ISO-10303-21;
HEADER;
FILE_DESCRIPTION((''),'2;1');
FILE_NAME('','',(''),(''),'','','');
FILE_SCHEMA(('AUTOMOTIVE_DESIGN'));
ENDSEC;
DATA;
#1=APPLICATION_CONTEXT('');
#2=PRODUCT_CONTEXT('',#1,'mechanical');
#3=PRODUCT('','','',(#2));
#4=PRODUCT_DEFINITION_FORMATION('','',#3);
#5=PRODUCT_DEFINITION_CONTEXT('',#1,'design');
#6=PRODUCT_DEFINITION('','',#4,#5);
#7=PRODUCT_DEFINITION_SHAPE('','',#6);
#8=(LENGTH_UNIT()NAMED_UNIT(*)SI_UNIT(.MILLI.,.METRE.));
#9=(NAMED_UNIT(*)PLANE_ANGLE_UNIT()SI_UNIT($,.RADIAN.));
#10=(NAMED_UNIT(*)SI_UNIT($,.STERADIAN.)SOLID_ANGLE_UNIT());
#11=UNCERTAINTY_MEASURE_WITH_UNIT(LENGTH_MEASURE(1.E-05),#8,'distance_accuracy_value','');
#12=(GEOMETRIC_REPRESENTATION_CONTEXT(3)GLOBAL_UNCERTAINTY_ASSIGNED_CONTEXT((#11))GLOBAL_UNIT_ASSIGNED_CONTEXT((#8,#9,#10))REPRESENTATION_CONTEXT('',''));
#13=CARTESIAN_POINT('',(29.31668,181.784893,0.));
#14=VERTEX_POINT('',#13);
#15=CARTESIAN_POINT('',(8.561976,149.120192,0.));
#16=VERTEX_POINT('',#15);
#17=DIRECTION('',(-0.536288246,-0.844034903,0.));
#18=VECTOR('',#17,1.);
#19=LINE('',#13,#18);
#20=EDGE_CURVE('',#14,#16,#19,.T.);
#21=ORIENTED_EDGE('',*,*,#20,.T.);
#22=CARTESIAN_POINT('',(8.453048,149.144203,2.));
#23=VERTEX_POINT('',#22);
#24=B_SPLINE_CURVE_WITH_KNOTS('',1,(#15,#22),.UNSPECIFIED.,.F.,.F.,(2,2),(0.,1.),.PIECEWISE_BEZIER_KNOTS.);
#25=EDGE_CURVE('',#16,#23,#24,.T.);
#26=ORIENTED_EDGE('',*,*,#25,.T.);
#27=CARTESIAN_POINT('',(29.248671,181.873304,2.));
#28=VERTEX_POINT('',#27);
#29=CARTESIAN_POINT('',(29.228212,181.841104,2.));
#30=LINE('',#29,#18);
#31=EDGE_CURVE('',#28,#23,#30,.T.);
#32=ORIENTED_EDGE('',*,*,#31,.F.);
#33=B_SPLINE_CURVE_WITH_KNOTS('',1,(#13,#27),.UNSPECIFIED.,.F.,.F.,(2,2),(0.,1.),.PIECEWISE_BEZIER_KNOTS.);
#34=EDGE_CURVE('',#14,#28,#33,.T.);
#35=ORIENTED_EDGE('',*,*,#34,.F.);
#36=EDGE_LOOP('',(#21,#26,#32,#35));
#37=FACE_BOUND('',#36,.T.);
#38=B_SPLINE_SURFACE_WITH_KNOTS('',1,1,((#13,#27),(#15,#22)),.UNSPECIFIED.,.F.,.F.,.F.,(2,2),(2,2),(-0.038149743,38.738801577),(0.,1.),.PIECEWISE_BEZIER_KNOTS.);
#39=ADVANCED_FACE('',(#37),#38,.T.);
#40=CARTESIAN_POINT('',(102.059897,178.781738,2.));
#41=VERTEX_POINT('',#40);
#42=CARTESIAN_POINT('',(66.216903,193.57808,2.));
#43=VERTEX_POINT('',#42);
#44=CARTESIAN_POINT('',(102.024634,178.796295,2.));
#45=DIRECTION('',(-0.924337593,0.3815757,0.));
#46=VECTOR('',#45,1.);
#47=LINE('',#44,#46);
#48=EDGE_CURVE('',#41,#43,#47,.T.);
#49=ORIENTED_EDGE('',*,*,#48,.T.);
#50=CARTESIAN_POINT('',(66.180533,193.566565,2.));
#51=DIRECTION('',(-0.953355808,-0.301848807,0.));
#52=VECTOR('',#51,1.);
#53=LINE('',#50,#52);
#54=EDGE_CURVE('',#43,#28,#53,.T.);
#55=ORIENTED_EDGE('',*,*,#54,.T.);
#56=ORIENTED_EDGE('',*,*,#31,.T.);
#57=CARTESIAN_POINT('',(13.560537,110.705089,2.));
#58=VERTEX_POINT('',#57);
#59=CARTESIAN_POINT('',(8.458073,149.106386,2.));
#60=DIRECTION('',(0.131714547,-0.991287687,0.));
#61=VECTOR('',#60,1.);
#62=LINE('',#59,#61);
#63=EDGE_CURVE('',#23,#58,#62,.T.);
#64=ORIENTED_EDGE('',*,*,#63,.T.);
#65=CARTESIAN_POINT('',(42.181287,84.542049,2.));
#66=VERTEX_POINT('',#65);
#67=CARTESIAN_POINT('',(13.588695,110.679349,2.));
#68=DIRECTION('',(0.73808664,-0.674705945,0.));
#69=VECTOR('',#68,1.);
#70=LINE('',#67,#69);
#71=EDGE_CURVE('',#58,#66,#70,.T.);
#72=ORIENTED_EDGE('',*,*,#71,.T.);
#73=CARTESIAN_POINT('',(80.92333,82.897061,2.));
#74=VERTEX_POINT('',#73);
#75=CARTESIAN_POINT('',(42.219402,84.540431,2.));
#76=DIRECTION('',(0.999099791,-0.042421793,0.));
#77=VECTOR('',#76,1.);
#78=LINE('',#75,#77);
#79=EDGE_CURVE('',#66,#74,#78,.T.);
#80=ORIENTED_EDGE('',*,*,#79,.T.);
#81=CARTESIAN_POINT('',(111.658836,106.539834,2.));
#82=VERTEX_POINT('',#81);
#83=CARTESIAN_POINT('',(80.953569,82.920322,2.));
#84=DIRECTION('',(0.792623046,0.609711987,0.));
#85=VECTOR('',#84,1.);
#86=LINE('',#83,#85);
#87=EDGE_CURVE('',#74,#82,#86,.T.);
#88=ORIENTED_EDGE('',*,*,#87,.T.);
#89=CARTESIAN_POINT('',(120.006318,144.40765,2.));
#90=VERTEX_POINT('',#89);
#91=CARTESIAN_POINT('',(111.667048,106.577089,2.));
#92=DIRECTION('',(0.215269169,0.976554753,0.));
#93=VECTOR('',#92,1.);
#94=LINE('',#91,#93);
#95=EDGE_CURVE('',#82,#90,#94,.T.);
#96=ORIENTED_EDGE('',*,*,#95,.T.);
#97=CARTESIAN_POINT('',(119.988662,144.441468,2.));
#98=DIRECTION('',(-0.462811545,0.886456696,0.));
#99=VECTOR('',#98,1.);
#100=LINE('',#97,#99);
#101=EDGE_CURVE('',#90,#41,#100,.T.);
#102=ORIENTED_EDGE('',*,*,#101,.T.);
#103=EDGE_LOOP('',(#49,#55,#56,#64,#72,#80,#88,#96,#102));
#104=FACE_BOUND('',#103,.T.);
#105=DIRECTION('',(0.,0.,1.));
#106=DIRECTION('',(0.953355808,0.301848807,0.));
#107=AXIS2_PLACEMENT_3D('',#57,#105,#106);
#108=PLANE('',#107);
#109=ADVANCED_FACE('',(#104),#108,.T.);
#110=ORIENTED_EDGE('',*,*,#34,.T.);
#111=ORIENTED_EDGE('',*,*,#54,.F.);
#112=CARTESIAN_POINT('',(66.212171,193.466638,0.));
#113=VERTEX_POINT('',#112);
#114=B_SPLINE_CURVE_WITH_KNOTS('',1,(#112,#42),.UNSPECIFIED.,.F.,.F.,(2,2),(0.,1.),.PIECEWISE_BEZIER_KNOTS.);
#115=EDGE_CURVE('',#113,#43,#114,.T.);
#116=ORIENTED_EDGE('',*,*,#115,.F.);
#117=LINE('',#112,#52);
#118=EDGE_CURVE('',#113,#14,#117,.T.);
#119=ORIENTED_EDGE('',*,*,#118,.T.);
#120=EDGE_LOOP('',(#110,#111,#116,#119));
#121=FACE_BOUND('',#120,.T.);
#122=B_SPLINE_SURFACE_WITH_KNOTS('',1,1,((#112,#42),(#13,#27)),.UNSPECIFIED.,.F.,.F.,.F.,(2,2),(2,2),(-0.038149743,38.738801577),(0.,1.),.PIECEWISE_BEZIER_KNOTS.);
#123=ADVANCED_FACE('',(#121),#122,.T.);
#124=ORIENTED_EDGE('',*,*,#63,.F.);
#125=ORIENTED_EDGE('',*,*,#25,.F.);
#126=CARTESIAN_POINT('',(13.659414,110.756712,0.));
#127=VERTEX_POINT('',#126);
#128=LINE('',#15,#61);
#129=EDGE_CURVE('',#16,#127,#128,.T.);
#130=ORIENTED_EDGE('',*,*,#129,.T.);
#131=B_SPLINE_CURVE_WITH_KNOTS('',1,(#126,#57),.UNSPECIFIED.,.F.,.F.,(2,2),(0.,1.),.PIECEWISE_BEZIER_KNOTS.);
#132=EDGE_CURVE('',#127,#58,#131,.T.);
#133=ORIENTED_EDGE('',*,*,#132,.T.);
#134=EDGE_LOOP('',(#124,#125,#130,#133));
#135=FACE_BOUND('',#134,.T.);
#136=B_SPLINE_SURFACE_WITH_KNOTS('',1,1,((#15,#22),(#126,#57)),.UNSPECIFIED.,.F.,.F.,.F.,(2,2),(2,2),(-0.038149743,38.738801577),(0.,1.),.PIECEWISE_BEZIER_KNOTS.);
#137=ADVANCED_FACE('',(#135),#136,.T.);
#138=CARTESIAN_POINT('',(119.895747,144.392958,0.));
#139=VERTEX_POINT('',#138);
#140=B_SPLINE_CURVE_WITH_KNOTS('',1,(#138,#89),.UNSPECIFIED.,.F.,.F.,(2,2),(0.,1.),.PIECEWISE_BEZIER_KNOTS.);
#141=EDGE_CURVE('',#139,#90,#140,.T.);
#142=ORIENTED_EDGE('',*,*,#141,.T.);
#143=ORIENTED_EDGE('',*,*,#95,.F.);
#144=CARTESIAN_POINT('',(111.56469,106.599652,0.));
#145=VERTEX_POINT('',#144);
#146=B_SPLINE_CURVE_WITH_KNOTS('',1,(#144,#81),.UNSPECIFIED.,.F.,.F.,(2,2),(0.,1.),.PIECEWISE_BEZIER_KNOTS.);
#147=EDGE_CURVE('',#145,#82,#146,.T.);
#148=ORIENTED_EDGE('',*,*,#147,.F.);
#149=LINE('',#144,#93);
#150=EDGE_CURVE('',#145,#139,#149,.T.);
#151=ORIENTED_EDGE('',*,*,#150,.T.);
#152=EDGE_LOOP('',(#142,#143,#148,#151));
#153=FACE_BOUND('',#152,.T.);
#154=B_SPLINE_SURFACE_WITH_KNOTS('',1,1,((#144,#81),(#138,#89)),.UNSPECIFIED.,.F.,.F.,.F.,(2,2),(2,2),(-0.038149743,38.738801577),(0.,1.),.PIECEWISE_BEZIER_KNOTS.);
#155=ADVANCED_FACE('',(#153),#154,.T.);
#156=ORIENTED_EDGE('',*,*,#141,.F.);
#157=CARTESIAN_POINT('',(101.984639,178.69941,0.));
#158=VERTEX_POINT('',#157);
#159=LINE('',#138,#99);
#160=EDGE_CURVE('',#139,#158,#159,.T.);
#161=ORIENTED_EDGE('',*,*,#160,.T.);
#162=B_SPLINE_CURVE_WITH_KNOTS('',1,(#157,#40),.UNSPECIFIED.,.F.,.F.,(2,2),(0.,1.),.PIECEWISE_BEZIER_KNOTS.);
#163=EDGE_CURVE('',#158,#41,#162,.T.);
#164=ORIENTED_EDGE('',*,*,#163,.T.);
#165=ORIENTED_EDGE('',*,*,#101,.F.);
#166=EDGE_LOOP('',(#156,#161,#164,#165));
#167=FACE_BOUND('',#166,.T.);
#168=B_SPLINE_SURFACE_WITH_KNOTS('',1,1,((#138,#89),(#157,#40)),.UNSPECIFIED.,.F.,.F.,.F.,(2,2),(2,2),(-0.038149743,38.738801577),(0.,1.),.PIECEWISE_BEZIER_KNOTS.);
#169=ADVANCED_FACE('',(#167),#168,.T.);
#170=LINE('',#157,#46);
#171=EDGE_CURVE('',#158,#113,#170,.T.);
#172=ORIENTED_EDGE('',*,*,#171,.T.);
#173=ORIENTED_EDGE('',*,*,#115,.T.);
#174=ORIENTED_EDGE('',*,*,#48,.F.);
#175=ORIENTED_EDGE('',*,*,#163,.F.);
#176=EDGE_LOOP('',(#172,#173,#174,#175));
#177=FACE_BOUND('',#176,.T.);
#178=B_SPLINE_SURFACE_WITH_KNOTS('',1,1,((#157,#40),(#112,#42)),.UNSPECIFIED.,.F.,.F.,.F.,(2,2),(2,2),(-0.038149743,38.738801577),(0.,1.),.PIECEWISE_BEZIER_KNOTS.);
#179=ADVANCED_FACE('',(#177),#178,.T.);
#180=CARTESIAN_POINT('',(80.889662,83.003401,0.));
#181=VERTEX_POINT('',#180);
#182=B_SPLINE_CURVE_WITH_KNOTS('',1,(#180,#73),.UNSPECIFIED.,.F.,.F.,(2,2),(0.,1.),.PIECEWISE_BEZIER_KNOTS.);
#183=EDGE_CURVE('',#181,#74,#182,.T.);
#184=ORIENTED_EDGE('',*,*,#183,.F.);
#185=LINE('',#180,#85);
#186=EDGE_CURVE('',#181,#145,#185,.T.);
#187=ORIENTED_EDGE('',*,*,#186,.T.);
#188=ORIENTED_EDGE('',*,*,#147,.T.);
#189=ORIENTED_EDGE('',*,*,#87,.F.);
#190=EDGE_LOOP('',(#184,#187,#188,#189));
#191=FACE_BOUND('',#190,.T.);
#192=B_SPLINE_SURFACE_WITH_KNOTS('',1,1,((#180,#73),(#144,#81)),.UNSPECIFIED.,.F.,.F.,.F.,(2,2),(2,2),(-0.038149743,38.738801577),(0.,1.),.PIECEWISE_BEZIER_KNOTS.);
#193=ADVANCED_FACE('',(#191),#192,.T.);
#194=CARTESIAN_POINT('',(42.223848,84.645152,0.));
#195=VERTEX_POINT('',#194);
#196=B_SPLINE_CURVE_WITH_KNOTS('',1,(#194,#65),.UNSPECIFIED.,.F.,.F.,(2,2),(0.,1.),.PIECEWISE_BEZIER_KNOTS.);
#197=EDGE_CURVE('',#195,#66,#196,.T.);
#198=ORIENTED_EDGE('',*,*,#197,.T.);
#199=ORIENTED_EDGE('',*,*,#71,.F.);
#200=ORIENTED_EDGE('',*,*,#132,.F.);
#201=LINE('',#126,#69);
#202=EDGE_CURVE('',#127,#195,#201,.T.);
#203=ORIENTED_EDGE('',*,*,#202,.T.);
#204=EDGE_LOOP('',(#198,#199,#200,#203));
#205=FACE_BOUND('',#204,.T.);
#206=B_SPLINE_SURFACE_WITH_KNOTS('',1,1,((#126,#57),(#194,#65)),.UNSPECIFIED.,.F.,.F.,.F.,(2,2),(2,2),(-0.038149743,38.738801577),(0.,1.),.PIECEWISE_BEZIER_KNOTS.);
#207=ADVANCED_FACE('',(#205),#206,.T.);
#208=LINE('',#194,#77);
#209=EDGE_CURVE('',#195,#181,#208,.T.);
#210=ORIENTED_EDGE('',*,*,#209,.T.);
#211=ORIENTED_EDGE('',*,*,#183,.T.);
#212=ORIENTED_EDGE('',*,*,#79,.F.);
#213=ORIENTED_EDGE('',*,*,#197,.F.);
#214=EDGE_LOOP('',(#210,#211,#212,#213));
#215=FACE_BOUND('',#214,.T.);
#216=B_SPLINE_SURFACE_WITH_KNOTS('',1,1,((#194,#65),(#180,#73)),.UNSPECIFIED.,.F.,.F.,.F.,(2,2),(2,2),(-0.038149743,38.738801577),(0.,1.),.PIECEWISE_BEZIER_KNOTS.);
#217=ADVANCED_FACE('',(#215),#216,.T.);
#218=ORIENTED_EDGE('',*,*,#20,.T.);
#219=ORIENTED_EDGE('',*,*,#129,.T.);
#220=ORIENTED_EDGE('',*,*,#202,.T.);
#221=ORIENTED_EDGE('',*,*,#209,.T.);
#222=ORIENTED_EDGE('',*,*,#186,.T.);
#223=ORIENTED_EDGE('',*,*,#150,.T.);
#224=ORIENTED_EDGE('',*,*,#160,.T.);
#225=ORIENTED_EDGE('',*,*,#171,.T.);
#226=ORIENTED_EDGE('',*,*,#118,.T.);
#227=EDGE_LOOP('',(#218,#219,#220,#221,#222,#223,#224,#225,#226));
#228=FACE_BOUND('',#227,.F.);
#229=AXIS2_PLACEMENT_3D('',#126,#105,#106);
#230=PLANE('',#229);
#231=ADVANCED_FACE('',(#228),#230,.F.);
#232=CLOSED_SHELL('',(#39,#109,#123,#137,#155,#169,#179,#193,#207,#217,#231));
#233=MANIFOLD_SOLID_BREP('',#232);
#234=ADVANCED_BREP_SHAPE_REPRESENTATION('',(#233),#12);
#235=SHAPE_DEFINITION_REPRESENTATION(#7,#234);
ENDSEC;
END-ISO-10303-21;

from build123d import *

# Parameters (mm, degrees)
F1_DEPTH = 2
F1_TAPER = -3


with BuildPart() as f1:
    # F0 (on Top) → F1 (new body)
    with BuildSketch(Plane.XY):
        Polygon((13.659414343, 110.7567119686), (42.2238484025, 84.645152092), (80.8896615428, 83.0034010385), (111.5646900731, 106.599652372), (119.8957472289, 144.3929578505), (101.9846387777, 178.6994098148), (66.2121714237, 193.466638117), (29.3166802084, 181.7848925151), (8.5619755192, 149.1201916043), align=None)
    extrude(amount=F1_DEPTH, taper=F1_TAPER)


solid = f1.part
